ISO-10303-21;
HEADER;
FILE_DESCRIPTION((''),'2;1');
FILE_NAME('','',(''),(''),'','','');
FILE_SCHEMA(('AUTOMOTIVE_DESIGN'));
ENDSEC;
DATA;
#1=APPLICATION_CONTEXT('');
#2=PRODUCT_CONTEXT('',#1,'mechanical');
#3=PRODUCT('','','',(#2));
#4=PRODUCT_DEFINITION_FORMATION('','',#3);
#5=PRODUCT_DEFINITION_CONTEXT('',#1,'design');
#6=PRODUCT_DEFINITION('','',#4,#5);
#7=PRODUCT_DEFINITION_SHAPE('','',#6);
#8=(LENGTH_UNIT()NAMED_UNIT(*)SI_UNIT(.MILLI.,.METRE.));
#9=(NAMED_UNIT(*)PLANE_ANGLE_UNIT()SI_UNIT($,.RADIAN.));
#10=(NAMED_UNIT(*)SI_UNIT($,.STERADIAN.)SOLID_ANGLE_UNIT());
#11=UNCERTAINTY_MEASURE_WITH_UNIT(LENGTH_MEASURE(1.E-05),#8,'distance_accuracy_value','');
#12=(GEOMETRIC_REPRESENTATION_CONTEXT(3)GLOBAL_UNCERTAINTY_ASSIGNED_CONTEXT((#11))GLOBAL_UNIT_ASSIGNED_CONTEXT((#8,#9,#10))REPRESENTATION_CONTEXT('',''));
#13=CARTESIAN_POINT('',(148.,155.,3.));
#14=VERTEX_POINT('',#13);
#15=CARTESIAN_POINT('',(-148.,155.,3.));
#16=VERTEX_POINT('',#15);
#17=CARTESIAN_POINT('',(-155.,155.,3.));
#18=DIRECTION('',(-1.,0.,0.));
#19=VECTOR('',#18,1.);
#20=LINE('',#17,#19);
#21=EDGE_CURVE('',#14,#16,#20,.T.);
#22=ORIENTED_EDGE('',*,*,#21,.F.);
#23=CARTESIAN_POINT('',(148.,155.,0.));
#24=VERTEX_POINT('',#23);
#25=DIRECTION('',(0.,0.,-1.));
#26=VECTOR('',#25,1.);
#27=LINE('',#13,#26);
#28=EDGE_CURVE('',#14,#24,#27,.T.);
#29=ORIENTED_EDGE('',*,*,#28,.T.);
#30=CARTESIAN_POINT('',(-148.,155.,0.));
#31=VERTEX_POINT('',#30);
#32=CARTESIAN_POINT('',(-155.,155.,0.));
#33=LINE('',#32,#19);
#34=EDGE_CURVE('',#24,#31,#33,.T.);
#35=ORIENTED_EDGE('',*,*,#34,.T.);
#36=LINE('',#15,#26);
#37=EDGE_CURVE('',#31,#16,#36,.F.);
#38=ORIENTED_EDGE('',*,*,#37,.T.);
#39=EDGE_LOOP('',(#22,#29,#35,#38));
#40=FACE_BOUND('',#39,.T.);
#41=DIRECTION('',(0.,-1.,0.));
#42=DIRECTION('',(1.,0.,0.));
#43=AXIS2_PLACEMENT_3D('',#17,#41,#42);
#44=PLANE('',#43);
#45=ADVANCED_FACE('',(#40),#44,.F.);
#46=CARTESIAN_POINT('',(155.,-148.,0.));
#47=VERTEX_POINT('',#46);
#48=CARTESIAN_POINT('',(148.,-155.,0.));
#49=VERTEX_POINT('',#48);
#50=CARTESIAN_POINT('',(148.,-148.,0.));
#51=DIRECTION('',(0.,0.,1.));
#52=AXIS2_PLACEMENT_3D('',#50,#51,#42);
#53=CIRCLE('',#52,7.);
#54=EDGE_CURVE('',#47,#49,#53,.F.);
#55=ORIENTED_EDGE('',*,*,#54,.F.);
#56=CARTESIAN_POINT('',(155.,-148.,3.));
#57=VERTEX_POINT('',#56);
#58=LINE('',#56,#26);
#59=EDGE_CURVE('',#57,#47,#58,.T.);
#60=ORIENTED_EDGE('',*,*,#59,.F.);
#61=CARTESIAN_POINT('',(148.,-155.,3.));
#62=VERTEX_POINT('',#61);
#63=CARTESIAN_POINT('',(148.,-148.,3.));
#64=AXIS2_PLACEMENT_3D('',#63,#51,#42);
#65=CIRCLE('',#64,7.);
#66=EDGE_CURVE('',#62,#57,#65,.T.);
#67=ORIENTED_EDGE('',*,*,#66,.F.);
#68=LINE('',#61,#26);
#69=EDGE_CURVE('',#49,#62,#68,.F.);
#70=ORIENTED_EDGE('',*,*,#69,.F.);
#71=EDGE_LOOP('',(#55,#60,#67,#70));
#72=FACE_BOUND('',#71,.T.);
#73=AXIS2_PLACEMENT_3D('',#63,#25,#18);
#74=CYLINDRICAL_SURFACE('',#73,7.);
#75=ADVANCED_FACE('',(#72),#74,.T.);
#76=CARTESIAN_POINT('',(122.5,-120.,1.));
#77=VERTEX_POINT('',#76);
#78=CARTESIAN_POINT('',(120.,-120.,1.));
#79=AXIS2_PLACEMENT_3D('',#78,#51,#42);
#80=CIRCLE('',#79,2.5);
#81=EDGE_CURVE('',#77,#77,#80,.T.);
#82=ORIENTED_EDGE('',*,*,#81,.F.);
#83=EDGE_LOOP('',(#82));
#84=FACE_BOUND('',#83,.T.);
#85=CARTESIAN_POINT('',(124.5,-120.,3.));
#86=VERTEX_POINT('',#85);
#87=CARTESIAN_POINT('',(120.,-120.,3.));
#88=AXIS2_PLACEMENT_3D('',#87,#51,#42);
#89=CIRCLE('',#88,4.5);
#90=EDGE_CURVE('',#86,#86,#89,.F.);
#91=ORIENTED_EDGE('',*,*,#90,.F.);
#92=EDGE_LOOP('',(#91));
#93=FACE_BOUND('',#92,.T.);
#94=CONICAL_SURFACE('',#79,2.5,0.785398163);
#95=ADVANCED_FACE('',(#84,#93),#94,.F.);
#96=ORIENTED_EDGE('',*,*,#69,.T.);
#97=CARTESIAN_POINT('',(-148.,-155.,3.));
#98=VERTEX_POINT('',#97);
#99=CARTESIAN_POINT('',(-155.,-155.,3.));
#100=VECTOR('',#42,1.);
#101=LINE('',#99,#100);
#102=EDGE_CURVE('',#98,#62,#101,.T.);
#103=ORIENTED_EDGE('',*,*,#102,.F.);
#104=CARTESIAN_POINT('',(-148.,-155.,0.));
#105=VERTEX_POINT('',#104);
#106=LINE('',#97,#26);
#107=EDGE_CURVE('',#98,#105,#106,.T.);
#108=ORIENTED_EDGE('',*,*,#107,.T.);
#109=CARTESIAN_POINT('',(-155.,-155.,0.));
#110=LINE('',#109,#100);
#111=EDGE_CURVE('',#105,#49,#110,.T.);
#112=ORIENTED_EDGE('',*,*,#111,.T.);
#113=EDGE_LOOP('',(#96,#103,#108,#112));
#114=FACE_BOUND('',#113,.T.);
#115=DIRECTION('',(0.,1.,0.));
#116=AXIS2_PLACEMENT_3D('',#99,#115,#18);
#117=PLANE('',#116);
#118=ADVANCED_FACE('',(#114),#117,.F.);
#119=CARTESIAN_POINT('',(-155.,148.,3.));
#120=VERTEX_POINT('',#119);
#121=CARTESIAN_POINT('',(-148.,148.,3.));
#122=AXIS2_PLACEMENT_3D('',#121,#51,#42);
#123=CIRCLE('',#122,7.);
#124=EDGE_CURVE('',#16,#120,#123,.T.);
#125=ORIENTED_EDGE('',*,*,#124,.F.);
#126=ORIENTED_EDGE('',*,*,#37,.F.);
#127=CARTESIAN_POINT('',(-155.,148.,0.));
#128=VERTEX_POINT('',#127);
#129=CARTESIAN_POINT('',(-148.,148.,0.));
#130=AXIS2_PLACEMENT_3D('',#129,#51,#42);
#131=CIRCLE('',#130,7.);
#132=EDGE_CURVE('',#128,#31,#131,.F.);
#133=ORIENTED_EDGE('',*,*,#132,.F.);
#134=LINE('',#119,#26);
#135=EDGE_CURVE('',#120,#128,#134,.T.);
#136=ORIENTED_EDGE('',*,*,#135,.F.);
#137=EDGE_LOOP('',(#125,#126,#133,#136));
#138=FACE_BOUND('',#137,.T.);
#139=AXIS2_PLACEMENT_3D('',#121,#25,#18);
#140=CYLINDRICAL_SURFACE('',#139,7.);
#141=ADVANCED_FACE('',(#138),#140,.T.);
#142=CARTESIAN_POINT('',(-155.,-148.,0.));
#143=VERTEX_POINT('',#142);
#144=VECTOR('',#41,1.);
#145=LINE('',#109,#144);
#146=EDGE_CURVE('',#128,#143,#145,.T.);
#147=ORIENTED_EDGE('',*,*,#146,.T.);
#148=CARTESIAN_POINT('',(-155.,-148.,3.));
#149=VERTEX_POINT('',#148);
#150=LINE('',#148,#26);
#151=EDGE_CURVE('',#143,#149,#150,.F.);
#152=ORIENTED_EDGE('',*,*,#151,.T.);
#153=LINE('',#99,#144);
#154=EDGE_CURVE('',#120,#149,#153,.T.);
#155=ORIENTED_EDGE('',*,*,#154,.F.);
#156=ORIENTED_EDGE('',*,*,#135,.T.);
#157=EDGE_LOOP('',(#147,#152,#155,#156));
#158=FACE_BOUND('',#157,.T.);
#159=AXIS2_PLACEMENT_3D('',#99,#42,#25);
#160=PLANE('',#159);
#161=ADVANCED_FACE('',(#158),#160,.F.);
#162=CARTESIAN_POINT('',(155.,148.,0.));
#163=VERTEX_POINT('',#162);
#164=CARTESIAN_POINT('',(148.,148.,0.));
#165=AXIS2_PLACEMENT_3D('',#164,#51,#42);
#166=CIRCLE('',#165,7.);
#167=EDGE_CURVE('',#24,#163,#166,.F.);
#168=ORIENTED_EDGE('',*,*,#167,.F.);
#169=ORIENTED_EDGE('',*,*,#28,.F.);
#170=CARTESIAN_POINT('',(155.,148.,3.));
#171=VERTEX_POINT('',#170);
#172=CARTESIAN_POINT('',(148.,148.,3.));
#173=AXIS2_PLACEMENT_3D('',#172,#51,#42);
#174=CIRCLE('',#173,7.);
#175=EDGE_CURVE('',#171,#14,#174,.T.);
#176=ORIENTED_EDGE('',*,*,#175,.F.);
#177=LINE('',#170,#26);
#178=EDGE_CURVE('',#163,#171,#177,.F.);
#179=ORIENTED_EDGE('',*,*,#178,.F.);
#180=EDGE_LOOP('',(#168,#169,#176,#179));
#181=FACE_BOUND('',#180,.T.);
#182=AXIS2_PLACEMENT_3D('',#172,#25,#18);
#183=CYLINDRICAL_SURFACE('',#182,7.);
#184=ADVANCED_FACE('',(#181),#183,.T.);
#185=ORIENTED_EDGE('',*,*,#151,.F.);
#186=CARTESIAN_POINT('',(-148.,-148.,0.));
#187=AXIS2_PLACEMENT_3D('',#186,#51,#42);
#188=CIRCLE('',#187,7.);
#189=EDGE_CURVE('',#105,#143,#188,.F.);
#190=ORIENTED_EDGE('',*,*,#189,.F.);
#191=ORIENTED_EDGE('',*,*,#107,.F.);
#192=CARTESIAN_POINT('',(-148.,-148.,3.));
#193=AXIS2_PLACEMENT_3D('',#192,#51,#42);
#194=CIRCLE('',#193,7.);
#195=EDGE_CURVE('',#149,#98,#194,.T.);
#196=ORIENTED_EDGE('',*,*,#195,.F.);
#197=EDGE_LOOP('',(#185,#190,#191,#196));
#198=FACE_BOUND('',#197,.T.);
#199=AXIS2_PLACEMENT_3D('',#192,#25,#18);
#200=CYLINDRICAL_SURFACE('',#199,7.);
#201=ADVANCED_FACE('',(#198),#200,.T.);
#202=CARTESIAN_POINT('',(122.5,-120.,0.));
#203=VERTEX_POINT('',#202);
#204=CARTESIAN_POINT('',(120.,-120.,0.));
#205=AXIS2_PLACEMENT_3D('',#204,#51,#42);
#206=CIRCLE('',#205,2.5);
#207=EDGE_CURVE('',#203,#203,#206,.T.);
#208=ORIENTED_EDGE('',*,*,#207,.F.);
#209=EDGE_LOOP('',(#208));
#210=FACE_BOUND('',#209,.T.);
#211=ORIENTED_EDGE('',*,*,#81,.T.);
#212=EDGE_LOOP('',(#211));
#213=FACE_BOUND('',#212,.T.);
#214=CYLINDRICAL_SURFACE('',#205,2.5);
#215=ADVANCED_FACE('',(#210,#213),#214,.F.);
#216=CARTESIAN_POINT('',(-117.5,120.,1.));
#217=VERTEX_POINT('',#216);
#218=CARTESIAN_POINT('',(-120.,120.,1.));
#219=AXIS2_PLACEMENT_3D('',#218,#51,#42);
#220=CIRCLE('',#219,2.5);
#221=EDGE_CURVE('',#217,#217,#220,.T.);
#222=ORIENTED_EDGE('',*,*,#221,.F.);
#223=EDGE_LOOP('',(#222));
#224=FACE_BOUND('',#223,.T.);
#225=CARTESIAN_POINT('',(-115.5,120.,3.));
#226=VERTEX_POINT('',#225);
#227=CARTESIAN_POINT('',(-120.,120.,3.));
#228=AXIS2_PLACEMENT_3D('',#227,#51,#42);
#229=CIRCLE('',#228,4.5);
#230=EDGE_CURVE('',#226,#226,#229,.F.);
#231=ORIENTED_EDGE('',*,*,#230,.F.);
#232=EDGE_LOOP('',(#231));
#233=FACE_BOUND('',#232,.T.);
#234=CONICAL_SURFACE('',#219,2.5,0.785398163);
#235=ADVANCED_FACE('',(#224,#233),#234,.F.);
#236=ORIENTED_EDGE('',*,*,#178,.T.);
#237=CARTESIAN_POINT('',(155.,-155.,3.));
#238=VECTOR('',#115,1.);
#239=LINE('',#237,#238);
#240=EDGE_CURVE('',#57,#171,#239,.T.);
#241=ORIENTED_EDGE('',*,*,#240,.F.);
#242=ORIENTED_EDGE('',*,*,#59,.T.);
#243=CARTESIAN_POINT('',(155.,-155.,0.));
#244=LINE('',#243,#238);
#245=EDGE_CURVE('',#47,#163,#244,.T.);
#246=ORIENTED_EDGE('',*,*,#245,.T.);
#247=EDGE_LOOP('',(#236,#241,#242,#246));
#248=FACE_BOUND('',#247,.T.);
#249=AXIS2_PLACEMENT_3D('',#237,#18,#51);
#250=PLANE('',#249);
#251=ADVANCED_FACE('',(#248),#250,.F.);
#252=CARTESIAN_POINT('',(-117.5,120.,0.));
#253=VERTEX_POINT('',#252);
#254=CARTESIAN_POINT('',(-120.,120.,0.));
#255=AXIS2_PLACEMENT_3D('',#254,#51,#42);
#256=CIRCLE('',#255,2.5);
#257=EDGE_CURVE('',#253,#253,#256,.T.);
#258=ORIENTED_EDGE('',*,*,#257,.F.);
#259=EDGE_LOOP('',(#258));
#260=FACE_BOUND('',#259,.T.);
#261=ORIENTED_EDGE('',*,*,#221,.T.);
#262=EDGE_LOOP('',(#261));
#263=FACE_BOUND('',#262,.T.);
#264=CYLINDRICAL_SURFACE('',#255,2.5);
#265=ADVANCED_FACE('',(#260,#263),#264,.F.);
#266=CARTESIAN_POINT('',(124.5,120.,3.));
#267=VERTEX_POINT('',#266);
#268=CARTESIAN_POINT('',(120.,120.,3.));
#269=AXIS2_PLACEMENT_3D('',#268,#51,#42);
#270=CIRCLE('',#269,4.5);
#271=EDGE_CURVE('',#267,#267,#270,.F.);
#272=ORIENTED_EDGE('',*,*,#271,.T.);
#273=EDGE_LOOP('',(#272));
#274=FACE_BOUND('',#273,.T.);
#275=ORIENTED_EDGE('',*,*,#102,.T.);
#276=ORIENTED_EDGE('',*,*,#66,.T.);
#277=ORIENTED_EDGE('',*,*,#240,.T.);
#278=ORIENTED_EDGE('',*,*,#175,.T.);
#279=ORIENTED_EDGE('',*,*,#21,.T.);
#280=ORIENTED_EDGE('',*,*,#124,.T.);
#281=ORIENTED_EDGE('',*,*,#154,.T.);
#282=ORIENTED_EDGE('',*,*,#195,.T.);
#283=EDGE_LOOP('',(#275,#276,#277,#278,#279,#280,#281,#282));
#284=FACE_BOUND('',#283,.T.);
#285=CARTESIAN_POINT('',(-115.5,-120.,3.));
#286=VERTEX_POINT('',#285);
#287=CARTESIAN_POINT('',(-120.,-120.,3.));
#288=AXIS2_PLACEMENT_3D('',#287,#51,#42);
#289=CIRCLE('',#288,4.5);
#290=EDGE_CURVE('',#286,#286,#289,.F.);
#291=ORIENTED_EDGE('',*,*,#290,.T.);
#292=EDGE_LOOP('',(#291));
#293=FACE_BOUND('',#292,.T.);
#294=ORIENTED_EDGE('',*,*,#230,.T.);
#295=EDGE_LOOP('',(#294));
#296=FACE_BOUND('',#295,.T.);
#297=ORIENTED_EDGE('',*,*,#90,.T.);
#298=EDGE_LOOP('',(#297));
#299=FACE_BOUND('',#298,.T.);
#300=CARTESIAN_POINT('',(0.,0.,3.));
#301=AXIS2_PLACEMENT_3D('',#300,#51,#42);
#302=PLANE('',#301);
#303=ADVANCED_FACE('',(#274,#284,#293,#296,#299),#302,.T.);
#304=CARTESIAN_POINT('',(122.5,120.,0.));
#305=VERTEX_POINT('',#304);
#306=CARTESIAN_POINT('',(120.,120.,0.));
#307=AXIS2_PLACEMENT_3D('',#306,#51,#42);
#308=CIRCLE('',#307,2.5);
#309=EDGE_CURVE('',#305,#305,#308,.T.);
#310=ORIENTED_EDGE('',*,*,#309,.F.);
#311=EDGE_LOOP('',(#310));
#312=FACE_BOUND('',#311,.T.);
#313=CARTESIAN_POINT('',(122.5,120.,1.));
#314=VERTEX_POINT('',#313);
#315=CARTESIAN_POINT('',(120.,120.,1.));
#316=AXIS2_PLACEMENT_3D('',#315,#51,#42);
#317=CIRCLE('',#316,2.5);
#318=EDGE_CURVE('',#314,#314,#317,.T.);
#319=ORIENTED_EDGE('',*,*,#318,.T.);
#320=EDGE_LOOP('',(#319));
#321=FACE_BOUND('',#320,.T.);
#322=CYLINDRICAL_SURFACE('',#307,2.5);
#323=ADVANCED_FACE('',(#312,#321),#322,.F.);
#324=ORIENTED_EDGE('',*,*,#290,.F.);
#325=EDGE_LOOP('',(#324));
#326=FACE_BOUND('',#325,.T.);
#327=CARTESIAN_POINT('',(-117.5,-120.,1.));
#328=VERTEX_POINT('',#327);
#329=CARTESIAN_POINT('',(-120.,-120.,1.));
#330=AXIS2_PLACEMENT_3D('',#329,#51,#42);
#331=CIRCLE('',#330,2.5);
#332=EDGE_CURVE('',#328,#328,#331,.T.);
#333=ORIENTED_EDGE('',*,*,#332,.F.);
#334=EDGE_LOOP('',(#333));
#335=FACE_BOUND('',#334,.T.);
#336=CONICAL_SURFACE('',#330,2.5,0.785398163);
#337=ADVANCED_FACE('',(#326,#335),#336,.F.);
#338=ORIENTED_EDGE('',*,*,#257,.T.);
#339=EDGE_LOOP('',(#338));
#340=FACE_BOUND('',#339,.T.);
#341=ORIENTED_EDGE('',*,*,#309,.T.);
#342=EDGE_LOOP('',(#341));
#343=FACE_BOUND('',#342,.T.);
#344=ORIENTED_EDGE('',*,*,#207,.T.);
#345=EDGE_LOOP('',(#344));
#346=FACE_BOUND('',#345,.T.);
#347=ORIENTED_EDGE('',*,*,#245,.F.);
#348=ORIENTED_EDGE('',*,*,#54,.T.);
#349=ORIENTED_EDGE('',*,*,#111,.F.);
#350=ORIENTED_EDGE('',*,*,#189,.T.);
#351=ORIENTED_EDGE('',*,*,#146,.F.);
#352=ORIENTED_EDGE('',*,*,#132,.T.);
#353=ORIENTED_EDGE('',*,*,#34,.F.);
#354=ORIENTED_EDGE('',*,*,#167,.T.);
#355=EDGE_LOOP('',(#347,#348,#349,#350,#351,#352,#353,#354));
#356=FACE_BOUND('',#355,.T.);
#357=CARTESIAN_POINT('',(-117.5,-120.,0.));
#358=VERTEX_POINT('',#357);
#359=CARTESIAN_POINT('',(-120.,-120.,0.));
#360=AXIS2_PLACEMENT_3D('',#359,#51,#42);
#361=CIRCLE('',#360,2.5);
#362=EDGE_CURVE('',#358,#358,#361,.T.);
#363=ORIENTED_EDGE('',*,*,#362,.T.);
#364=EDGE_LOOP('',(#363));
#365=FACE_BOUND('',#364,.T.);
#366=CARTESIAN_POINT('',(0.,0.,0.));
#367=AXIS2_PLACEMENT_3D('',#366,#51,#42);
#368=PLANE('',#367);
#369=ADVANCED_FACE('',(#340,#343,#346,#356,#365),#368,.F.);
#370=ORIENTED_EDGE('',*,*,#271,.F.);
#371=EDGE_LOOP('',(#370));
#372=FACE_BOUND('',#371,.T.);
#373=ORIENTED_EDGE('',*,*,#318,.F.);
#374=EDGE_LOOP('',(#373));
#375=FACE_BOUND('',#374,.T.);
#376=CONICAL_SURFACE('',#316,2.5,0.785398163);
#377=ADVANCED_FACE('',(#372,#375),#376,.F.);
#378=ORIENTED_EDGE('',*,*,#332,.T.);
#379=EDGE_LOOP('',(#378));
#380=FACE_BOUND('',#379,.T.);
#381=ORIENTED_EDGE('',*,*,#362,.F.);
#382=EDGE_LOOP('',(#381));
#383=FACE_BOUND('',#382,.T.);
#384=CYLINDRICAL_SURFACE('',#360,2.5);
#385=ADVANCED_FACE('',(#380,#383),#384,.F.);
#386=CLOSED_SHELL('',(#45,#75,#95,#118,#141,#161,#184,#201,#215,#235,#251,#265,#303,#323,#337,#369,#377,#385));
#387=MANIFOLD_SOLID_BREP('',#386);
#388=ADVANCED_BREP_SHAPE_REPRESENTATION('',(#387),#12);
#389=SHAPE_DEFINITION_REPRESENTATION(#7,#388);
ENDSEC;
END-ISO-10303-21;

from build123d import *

# Parameters (mm, degrees)
SKETCH1_W           = 310
SKETCH1_H           = 310
BOSS_EXTRUDE1_DEPTH = 3
FILLET1_R           = 7
SKETCH2_R           = 2.5
CUT_EXTRUDE1_DEPTH  = 220.223630113
CHAMFER1_SIZE       = 2


with BuildPart() as part:
    # Sketch1 → Boss-Extrude1 (new body)
    with BuildSketch(Plane(origin=(0, 0, 0), x_dir=(0, 1, 0), z_dir=(0, 0, 1))):
        Rectangle(SKETCH1_W, SKETCH1_H)
    extrude(amount=BOSS_EXTRUDE1_DEPTH)

    # Fillet1
    fillet1_edges = [part.edges().sort_by_distance(p)[0] for p in [
        (155, 155, 1.5),
        (155, -155, 1.5),
        (-155, -155, 1.5),
        (-155, 155, 1.5),
    ]]
    fillet(fillet1_edges, radius=FILLET1_R)

    # Sketch2 → Cut-Extrude1 (cut, through all)
    with BuildSketch(Plane.XY.offset(3)):
        with Locations((-120, 120)):
            Circle(SKETCH2_R)
        with Locations((120, 120)):
            Circle(SKETCH2_R)
        with Locations((120, -120)):
            Circle(SKETCH2_R)
        with Locations((-120, -120)):
            Circle(SKETCH2_R)
    extrude(amount=-CUT_EXTRUDE1_DEPTH, mode=Mode.SUBTRACT)

    # Chamfer1
    chamfer1_edges = [part.edges().sort_by_distance(p)[0] for p in [
        (-122.5, -120, 3),
        (117.5, -120, 3),
        (117.5, 120, 3),
        (-122.5, 120, 3),
    ]]
    chamfer(chamfer1_edges, length=CHAMFER1_SIZE)


solid = part.part
